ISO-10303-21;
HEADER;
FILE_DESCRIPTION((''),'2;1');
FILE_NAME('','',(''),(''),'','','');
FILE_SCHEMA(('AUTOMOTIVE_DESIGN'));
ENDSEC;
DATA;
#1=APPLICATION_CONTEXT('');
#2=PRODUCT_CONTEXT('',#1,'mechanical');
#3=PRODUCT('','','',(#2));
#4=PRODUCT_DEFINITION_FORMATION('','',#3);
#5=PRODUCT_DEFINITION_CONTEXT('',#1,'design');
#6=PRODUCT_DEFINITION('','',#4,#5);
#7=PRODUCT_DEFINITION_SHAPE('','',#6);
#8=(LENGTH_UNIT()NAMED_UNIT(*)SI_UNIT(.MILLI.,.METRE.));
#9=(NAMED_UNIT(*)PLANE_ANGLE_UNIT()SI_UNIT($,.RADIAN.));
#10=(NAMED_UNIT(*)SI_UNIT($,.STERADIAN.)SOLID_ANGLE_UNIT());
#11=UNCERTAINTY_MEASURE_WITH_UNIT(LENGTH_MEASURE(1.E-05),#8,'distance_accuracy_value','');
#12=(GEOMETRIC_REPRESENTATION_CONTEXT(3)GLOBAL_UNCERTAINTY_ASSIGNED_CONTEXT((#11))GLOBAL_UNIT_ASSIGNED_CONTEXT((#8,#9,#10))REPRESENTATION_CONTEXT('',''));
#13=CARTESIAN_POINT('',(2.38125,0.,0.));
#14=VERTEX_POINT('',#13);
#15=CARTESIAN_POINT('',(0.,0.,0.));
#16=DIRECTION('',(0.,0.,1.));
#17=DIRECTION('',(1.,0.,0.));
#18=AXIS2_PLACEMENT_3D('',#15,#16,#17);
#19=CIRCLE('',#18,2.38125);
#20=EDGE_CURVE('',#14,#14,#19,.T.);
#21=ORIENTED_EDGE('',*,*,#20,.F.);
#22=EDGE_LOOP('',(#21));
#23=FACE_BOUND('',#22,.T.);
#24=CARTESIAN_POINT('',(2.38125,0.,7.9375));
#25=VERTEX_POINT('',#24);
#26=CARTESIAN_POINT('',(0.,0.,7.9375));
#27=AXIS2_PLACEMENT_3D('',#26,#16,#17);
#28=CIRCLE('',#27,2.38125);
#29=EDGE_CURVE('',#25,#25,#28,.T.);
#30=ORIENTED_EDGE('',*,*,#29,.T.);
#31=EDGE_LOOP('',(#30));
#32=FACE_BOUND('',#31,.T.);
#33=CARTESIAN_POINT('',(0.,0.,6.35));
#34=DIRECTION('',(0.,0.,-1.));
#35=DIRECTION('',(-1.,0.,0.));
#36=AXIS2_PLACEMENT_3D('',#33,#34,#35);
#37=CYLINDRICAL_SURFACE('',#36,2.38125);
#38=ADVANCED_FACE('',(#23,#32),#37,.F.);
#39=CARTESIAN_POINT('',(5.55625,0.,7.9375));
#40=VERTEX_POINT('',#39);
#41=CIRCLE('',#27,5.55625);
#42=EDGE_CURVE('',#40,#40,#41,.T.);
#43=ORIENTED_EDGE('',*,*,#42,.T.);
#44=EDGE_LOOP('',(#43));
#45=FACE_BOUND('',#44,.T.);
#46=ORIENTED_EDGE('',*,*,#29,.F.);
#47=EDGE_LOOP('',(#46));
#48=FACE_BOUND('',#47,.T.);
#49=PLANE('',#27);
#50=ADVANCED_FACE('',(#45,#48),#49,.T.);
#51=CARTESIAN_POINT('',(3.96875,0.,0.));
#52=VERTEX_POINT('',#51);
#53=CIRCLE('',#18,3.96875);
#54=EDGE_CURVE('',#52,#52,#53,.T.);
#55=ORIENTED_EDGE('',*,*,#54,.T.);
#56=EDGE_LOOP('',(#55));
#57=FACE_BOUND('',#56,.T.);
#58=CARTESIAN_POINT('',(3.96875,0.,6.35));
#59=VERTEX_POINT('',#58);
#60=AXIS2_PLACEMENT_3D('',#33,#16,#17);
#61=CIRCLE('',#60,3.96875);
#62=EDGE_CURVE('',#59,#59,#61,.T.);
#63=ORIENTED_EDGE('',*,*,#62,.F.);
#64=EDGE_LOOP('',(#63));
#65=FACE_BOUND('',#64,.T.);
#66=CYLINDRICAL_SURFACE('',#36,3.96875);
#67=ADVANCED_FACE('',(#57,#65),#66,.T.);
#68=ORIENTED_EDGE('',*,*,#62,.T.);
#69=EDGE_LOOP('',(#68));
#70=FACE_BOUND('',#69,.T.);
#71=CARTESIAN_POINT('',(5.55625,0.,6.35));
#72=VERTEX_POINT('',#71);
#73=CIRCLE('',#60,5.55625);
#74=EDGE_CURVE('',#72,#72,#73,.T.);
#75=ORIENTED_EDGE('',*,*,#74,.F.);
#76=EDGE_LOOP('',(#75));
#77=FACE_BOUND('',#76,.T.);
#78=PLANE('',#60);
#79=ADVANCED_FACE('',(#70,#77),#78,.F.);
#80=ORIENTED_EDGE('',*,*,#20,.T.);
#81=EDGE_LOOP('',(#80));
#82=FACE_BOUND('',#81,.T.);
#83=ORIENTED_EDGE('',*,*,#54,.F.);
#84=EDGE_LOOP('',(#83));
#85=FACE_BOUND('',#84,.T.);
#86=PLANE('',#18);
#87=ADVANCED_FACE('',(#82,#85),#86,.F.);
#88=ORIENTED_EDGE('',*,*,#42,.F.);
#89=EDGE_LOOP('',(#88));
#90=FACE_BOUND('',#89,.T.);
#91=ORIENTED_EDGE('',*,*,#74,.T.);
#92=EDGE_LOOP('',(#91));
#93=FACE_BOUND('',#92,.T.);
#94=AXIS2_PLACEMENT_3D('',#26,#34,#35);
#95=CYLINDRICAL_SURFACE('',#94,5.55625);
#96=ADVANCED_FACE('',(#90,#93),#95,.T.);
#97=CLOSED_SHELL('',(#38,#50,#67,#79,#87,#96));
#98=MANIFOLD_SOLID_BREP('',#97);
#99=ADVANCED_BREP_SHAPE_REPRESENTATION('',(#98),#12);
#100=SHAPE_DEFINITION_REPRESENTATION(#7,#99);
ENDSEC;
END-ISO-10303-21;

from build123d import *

# Parameters (mm, degrees)
SKETCH1_R           = 3.96875
SKETCH1_R_2         = 2.38125
BOSS_EXTRUDE1_DEPTH = 6.35
SKETCH2_R           = 5.55625
SKETCH2_R_2         = 2.38125
BOSS_EXTRUDE2_DEPTH = 1.5875


with BuildPart() as part:
    # Sketch1 → Boss-Extrude1 (new body)
    with BuildSketch(Plane.XY):
        Circle(SKETCH1_R)
        Circle(SKETCH1_R_2, mode=Mode.SUBTRACT)
    extrude(amount=BOSS_EXTRUDE1_DEPTH)

    # Sketch2 → Boss-Extrude2 (add)
    with BuildSketch(Plane.XY.offset(6.35)):
        Circle(SKETCH2_R)
        Circle(SKETCH2_R_2, mode=Mode.SUBTRACT)
    extrude(amount=BOSS_EXTRUDE2_DEPTH)


solid = part.part
